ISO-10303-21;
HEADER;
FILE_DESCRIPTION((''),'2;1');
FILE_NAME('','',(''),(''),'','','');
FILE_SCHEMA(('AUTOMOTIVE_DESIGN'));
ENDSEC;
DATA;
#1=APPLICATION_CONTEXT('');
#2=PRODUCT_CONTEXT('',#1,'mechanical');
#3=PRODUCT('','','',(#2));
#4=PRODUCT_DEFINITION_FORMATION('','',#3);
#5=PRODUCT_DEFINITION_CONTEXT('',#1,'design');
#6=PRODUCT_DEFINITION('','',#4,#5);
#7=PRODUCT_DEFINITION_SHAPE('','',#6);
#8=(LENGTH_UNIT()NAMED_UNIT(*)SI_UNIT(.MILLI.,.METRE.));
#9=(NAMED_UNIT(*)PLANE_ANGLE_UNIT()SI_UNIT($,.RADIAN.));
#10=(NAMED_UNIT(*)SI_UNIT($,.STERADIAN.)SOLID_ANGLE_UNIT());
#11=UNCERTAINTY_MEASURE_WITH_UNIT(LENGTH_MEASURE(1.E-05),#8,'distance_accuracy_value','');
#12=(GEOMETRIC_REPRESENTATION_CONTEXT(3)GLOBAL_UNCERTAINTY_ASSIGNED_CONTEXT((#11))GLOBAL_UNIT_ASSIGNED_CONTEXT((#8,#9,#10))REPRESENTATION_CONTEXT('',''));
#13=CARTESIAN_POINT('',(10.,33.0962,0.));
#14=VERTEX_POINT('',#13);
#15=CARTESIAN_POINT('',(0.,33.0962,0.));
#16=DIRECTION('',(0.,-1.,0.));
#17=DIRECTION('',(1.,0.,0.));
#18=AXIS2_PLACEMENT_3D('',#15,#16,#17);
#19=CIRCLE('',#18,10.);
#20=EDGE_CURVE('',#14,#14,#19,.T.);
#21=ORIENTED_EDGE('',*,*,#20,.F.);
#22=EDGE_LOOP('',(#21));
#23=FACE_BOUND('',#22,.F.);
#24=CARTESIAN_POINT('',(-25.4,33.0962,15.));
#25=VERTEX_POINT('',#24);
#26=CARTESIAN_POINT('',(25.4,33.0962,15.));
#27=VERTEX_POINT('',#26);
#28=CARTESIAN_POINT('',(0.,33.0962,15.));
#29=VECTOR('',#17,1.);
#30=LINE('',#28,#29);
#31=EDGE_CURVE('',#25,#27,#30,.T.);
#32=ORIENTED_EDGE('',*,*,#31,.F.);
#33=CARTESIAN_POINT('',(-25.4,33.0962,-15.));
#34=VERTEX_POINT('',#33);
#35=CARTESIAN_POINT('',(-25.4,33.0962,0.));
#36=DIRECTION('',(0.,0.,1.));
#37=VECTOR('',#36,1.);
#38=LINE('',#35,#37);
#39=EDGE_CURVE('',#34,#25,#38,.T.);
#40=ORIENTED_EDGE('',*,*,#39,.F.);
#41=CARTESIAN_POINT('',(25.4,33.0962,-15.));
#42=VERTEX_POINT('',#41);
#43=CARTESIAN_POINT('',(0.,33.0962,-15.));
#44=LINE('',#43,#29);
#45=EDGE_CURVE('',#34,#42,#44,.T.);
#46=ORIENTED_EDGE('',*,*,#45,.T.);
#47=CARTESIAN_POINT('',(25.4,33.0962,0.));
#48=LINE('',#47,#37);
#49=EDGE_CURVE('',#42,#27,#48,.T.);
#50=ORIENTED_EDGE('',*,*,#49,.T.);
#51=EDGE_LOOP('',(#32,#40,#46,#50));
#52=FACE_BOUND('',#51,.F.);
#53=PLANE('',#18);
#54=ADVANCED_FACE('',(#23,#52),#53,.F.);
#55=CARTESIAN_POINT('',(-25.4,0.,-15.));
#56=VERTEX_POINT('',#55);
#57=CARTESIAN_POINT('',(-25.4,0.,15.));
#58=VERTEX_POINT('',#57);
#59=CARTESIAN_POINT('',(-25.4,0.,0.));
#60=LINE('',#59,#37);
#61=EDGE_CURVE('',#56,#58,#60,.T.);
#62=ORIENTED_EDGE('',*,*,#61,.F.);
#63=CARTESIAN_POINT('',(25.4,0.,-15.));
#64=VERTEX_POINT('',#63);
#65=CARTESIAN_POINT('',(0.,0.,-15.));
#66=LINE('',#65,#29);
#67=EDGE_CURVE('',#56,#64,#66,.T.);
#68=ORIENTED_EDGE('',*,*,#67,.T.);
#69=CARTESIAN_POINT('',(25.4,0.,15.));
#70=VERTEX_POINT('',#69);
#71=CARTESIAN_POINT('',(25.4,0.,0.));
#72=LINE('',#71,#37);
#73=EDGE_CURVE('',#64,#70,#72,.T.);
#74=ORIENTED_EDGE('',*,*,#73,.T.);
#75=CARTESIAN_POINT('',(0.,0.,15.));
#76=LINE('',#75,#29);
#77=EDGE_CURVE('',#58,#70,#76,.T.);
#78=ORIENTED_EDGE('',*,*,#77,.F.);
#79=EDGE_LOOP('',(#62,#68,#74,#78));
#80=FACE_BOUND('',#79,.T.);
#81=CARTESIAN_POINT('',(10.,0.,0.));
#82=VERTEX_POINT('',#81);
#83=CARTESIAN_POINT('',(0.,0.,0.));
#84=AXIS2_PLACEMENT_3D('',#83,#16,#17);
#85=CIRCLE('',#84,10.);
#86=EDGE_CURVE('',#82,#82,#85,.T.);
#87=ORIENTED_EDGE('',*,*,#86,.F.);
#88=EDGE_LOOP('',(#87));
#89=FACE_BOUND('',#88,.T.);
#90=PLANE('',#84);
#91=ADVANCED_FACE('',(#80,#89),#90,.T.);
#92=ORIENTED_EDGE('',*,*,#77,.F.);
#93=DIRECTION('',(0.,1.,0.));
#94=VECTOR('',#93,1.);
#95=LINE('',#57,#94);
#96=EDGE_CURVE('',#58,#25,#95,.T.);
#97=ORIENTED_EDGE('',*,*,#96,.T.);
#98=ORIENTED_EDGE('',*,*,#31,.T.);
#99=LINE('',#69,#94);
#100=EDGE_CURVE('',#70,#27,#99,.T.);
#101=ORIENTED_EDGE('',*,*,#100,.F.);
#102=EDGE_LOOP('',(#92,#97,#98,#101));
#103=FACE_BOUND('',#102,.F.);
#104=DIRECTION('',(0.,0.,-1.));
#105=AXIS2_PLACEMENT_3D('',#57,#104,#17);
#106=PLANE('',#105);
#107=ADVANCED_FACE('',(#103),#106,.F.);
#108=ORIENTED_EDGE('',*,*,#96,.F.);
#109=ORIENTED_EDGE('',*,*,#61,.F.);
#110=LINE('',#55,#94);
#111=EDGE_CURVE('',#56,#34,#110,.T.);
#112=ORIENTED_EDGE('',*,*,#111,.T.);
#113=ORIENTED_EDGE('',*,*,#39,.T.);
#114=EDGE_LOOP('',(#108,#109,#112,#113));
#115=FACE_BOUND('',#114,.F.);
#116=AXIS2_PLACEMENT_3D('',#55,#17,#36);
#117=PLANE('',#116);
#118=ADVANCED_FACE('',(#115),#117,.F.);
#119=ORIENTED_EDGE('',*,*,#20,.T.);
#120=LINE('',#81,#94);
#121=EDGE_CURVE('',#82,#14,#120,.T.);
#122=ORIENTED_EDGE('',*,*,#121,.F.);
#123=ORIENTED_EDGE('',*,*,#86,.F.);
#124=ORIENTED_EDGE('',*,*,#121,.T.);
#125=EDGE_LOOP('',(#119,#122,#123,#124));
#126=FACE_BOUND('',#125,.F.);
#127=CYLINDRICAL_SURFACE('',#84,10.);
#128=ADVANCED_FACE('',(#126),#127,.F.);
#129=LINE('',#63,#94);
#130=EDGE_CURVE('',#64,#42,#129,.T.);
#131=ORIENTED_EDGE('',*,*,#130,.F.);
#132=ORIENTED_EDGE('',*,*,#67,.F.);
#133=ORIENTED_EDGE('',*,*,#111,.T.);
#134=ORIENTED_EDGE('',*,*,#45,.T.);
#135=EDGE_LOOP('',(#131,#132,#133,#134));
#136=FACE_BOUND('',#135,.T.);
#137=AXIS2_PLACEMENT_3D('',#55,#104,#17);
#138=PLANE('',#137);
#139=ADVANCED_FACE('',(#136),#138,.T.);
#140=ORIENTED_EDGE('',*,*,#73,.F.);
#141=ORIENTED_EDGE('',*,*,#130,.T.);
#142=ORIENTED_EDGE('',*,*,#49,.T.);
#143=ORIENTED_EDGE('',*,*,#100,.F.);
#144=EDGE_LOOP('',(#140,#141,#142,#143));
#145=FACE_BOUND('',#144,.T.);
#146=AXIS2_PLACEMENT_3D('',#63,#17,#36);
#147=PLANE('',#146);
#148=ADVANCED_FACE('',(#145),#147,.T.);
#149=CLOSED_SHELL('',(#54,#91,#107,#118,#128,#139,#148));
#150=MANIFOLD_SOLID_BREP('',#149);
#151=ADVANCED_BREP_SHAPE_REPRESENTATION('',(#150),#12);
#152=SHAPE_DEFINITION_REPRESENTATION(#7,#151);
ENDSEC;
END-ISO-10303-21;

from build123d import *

# Parameters (mm, degrees)
F0_W     = 50.8
F0_H     = 30
F0_R     = 10
F1_DEPTH = 33.0962


with BuildPart() as f1:
    # F0 (on Front) → F1 (new body)
    with BuildSketch(Plane.XZ):
        Rectangle(F0_W, F0_H)
        Circle(F0_R, mode=Mode.SUBTRACT)
    extrude(amount=-F1_DEPTH)


solid = f1.part
